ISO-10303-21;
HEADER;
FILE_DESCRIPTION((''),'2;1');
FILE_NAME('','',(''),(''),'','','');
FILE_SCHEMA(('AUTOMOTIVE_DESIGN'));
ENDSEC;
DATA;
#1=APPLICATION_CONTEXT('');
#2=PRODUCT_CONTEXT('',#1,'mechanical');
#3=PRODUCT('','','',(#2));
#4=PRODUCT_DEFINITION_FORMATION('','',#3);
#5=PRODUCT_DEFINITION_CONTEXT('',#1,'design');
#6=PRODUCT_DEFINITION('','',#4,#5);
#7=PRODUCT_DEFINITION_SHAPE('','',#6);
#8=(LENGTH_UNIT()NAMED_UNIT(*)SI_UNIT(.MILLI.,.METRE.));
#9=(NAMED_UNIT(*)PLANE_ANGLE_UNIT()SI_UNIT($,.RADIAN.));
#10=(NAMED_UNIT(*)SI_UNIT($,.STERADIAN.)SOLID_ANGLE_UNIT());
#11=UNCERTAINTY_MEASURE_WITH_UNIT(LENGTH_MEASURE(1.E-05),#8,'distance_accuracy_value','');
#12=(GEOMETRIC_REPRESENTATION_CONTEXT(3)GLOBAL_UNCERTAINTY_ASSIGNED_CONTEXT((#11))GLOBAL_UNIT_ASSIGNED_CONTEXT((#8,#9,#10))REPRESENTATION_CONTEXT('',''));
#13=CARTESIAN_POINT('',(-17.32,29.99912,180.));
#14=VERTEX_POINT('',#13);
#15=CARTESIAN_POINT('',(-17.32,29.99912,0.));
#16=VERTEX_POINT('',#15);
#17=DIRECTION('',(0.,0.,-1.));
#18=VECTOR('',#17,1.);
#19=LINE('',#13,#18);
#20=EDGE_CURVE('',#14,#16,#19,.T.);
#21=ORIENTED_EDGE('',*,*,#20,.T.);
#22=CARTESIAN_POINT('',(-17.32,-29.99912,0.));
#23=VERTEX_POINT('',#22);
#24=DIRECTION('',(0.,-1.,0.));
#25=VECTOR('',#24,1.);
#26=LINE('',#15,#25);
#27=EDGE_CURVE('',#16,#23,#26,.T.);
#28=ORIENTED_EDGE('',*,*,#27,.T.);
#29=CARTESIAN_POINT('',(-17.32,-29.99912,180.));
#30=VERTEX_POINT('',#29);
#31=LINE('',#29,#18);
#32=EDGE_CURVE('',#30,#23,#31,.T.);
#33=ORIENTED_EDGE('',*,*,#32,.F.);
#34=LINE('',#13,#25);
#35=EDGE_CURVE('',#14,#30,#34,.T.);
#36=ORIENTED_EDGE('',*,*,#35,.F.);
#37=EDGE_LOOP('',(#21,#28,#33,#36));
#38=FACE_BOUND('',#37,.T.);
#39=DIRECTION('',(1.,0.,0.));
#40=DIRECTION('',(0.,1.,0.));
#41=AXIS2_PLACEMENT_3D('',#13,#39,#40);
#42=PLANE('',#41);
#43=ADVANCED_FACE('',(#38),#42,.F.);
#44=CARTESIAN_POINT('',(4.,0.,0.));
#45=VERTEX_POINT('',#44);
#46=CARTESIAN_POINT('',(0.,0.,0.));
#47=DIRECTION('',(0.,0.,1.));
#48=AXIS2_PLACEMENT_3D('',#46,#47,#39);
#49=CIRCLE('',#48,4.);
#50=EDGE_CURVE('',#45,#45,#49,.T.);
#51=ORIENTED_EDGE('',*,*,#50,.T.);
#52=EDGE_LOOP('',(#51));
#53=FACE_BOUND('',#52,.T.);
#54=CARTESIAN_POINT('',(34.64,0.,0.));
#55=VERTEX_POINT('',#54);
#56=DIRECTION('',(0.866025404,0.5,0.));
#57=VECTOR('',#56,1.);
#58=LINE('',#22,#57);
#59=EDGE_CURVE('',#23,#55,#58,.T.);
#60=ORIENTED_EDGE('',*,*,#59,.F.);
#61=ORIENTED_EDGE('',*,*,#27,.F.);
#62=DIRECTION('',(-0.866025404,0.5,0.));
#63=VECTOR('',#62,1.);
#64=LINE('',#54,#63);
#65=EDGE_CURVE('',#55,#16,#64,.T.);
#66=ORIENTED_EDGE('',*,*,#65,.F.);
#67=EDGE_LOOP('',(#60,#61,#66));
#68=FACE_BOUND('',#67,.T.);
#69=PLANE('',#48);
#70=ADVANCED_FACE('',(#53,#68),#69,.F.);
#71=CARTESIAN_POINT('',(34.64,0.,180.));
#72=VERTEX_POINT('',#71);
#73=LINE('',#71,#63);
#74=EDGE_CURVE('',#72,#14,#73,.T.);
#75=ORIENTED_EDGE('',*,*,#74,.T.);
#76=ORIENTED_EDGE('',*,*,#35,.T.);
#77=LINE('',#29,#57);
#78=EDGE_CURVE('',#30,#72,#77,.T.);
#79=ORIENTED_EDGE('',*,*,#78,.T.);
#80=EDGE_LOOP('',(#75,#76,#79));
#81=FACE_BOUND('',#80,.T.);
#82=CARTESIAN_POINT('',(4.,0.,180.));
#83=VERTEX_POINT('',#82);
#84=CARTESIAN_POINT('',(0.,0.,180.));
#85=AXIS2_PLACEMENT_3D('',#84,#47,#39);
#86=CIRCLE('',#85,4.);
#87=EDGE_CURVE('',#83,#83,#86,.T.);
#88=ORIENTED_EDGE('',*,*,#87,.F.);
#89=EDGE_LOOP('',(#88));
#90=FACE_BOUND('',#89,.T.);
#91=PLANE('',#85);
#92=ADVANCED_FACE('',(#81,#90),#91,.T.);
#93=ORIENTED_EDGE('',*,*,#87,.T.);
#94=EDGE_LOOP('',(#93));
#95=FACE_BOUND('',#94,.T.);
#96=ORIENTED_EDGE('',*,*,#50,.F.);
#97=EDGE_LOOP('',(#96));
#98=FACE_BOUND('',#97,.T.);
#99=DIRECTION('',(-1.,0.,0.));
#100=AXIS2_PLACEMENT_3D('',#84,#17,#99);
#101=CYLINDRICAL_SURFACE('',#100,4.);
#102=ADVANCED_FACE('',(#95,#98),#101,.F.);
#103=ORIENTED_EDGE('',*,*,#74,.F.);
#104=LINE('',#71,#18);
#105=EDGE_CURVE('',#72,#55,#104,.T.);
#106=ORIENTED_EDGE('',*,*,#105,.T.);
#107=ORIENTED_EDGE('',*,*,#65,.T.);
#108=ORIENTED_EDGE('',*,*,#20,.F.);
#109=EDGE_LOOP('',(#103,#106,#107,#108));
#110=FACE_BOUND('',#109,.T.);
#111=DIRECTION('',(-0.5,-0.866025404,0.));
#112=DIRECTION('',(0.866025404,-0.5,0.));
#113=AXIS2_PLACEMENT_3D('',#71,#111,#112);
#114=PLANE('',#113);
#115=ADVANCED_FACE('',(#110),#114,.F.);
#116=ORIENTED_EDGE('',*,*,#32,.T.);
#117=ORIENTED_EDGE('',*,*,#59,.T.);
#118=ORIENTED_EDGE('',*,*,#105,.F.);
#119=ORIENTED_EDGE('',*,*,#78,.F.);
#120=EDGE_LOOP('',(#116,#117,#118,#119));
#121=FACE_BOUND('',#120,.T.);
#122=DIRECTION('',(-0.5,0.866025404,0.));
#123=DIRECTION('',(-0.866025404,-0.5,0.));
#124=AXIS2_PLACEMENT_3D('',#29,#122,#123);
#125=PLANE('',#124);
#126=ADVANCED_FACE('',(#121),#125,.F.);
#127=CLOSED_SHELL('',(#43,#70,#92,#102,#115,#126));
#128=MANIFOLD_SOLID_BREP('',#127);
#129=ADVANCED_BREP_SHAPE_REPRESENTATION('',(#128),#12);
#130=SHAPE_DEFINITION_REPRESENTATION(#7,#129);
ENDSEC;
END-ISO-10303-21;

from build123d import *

# Parameters (mm, degrees)
SKETCH2_R           = 4
BOSS_EXTRUDE2_DEPTH = 180


with BuildPart() as part:
    # Sketch2 → Boss-Extrude2 (new body)
    with BuildSketch(Plane.XY):
        Polygon((34.64, 0), (-17.32, 29.999119987), (-17.32, -29.999119987), align=None)
        Circle(SKETCH2_R, mode=Mode.SUBTRACT)
    extrude(amount=BOSS_EXTRUDE2_DEPTH)


solid = part.part
